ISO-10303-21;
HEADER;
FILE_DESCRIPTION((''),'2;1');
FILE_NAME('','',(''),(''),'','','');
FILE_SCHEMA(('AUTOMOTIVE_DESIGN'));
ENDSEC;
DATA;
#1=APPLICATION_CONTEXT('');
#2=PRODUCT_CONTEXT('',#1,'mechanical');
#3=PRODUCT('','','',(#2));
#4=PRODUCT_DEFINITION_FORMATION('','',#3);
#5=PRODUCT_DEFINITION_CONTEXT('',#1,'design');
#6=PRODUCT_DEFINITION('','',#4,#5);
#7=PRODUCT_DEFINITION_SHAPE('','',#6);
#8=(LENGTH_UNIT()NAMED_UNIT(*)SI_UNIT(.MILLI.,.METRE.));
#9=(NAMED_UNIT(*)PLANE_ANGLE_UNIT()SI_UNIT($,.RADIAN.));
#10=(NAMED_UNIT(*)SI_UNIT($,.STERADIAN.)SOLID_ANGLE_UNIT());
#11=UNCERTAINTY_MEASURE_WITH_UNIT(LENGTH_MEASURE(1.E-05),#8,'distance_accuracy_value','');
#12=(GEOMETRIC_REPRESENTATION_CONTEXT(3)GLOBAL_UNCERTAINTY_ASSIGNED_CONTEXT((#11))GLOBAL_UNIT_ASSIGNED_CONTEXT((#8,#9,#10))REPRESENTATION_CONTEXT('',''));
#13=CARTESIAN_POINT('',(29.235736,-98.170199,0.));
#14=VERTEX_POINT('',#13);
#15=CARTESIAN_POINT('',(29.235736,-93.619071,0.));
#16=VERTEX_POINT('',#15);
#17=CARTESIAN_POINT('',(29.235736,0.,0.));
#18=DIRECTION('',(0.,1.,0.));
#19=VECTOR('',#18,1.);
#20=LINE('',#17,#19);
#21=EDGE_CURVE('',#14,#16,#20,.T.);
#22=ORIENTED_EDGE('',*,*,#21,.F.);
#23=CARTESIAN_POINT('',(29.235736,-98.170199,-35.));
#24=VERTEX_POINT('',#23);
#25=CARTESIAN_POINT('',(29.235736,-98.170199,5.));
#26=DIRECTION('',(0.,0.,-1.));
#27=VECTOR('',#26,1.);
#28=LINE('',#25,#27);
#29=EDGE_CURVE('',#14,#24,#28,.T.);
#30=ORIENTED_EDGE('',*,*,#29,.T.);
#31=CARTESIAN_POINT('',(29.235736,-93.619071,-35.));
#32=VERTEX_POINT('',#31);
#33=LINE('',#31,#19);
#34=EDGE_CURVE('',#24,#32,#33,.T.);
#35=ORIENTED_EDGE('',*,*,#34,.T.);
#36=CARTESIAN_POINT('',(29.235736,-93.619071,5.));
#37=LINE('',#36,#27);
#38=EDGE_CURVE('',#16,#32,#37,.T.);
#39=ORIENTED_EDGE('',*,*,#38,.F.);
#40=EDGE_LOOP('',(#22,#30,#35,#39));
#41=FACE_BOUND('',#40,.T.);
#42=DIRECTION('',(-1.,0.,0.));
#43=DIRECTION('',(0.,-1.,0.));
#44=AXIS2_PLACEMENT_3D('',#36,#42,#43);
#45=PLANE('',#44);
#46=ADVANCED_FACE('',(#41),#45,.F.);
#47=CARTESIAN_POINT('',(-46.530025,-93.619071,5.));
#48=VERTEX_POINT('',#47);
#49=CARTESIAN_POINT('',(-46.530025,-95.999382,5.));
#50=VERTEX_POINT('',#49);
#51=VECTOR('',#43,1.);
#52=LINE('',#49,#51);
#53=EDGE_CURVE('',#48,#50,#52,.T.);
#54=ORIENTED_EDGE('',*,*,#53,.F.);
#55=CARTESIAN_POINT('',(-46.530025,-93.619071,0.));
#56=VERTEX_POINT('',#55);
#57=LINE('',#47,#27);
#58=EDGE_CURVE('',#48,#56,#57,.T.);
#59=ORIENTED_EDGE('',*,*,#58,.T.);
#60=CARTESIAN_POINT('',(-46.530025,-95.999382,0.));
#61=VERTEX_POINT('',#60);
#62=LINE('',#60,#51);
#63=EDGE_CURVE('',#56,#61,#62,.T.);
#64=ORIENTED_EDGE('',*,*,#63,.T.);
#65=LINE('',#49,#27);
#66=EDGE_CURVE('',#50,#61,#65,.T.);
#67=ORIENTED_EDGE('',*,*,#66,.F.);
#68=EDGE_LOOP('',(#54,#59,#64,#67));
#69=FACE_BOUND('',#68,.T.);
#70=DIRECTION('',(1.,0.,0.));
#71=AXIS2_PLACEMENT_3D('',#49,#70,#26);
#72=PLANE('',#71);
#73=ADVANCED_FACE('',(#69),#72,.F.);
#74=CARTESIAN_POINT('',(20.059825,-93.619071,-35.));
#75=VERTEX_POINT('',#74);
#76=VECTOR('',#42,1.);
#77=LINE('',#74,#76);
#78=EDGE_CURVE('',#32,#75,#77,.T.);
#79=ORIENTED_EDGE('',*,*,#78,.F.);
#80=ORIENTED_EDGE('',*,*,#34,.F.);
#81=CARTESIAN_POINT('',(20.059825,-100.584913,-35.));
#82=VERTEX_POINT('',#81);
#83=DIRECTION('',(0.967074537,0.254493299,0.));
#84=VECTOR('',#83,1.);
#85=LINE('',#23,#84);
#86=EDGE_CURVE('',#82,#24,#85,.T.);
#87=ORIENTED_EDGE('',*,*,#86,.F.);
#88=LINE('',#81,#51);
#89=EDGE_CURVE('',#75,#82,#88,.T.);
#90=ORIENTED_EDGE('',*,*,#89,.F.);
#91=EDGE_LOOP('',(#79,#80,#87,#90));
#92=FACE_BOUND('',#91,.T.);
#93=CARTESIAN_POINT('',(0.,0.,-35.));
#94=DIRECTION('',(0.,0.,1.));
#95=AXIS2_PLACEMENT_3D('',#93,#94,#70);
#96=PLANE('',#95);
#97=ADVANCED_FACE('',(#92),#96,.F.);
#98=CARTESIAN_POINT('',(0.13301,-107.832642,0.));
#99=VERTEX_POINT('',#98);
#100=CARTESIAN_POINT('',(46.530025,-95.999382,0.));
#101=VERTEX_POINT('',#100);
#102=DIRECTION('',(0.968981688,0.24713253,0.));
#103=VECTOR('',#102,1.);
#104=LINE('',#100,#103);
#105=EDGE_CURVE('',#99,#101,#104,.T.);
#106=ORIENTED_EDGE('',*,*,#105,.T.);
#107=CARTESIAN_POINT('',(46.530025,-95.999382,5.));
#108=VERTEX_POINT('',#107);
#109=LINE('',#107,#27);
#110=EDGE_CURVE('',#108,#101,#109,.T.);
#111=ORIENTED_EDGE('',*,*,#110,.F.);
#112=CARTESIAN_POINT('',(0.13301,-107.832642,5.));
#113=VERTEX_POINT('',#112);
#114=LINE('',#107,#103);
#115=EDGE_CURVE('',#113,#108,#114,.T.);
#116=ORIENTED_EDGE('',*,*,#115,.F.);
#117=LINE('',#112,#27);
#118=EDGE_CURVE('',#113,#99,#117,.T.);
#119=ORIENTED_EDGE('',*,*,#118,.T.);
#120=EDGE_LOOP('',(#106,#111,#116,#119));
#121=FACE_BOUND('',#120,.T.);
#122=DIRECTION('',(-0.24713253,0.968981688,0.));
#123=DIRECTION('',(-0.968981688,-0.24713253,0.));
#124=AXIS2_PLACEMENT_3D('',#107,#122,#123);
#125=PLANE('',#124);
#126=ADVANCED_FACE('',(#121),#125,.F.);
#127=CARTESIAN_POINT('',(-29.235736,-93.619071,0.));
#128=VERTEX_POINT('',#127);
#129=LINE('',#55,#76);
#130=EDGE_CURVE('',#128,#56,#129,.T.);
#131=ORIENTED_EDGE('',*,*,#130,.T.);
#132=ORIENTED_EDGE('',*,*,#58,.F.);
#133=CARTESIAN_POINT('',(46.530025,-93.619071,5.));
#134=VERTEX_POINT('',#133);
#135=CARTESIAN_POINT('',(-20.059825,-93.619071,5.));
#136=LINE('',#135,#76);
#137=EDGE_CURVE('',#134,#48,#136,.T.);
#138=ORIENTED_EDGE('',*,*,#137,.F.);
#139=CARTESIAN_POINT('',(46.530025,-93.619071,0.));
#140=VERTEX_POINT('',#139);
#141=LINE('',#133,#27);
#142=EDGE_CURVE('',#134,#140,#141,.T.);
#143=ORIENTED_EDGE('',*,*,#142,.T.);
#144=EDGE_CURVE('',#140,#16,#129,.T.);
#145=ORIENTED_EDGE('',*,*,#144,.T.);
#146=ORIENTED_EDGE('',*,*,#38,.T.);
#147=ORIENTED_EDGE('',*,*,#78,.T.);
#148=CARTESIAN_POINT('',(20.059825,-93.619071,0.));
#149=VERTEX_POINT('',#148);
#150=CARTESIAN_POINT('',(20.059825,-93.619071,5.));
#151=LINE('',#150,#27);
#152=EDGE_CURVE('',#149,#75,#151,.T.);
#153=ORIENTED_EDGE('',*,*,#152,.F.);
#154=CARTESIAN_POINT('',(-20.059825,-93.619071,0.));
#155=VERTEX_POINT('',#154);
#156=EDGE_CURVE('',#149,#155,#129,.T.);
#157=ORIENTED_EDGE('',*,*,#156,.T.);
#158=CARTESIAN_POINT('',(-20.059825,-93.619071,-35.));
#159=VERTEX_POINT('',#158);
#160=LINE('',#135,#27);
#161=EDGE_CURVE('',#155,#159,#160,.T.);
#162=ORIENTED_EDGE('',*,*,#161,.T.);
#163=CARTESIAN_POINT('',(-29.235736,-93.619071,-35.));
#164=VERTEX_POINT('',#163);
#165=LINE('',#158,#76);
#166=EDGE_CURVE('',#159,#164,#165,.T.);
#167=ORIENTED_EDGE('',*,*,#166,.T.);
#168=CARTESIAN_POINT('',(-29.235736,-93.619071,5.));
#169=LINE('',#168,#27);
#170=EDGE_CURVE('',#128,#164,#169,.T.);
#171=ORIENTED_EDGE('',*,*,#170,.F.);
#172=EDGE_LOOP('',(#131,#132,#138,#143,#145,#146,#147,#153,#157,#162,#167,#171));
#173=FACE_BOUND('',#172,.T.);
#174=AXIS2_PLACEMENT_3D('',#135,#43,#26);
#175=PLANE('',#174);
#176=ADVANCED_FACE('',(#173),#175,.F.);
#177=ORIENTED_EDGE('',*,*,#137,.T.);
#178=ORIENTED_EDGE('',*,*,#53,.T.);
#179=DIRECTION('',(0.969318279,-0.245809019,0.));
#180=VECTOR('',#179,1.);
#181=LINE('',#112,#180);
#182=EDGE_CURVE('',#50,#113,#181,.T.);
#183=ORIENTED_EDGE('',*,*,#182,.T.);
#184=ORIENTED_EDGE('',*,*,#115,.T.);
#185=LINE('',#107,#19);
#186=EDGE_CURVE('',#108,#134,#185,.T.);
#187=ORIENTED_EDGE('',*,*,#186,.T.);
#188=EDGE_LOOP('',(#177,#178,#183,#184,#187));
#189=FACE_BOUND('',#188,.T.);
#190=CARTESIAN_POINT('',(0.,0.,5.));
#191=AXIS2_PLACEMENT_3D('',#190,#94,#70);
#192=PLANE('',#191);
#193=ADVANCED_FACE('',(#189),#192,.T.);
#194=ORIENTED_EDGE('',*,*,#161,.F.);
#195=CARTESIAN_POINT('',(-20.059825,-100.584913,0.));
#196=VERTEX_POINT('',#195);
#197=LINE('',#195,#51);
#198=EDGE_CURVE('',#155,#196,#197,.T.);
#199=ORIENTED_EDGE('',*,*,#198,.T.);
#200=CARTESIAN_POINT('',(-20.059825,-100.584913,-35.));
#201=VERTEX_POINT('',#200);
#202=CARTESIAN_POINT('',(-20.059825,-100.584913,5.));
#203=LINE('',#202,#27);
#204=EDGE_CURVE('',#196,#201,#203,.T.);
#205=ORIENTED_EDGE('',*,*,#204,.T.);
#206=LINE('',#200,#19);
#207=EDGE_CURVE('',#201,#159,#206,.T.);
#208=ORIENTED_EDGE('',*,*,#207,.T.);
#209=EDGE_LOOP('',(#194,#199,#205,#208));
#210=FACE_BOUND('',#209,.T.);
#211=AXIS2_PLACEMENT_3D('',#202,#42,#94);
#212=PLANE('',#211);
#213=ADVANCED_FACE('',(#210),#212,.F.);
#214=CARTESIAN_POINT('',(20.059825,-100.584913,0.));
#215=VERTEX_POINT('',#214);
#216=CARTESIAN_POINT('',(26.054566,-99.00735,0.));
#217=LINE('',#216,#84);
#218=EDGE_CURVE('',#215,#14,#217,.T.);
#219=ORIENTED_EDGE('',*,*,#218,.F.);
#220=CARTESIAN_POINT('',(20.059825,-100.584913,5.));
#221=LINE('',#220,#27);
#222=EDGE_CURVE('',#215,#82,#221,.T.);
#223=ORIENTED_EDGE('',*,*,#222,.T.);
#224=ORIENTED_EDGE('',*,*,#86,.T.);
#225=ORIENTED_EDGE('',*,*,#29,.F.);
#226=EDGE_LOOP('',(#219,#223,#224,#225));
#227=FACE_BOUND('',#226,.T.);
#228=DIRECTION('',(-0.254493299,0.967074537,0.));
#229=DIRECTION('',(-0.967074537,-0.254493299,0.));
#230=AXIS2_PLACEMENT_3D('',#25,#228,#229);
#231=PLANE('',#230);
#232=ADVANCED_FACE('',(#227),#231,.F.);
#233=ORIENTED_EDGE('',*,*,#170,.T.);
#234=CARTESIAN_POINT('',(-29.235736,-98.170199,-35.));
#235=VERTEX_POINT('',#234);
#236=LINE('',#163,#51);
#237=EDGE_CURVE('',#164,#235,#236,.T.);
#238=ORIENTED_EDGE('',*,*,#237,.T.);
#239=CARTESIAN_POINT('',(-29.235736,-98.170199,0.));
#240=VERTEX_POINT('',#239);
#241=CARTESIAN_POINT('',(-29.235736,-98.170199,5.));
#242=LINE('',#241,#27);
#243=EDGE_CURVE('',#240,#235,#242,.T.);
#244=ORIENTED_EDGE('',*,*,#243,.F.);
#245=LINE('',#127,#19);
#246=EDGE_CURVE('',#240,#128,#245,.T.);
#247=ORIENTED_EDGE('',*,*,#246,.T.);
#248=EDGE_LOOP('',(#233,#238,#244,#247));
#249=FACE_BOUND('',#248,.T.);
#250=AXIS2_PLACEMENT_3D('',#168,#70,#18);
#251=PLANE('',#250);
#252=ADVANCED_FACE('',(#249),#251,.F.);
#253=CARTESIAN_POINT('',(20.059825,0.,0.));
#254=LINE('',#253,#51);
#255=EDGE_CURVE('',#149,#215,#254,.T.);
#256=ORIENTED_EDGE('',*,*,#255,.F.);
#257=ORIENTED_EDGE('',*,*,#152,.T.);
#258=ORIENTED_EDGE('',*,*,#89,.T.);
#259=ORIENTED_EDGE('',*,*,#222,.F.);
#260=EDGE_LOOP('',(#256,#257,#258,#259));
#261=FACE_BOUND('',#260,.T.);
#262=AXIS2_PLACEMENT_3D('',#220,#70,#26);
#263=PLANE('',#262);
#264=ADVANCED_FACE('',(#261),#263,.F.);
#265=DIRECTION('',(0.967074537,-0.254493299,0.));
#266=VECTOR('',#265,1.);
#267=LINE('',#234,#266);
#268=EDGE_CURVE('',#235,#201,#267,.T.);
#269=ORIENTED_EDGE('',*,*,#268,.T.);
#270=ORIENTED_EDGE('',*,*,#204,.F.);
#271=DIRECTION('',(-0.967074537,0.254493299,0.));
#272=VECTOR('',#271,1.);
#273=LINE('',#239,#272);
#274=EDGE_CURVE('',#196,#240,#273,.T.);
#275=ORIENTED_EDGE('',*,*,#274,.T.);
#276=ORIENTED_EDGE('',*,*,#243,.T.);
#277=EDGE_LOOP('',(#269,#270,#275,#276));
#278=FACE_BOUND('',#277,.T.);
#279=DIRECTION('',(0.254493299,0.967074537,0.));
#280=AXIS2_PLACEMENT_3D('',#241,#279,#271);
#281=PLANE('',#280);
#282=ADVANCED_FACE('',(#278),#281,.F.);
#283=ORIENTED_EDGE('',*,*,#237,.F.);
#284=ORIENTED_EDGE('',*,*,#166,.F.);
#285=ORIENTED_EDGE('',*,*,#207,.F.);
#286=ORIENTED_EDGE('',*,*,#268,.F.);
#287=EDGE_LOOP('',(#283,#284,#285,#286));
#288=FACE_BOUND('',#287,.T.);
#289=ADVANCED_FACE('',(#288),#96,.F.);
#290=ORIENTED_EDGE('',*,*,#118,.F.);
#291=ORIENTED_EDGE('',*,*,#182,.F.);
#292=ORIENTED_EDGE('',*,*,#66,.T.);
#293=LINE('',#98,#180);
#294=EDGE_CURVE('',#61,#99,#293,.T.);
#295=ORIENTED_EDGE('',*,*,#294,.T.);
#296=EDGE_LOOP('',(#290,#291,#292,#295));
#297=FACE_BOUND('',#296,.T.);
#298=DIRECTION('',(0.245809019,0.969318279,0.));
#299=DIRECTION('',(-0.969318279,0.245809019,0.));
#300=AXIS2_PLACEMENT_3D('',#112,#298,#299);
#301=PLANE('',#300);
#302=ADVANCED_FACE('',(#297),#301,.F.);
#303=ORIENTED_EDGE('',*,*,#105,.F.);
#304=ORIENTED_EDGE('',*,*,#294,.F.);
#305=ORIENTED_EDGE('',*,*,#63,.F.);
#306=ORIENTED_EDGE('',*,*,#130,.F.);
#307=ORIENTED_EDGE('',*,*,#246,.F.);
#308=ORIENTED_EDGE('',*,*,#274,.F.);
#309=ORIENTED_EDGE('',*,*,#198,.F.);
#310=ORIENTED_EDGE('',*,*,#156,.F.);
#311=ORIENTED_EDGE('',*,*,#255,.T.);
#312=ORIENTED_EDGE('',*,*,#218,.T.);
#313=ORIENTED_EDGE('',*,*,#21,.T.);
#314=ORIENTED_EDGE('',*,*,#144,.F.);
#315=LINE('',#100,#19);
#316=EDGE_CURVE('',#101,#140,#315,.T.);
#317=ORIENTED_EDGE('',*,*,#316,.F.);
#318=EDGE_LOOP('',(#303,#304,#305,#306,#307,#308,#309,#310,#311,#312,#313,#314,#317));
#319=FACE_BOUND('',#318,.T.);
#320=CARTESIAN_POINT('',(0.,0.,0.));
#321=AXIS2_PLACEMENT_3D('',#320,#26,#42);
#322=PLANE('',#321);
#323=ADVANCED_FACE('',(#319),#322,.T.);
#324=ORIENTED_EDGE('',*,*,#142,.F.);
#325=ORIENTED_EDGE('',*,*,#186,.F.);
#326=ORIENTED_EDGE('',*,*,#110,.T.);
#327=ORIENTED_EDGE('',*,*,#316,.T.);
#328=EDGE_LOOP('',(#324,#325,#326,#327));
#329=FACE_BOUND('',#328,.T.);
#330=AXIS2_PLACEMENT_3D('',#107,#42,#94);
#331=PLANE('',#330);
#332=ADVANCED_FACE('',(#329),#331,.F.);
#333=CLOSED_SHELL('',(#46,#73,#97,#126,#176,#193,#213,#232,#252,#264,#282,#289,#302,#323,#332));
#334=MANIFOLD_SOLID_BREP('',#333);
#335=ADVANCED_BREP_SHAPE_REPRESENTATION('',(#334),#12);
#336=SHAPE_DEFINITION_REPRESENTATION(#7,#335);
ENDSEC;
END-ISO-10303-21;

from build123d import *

# Parameters (mm, degrees)
BOSS_EXTRUDE1_DEPTH   = 40
BOSS_EXTRUDE1_2_DEPTH = 40
BOSS_EXTRUDE2_DEPTH   = 5


with BuildPart() as part:
    # Sketch2 → Boss-Extrude1 (new body)
    with BuildSketch(Plane.XY.offset(-35)):
        Polygon((-29.235736387, -93.619070837), (-29.235736387, -98.170199329), (-20.059825436, -100.584912737), (-20.059825436, -93.619070837), align=None)
    extrude(amount=BOSS_EXTRUDE1_DEPTH)



with BuildPart() as body_2:
    # Sketch2 → Boss-Extrude1 2 (new body)
    with BuildSketch(Plane.XY.offset(-35)):
        Polygon((29.235736387, -98.170199329), (20.059825436, -100.584912737), (20.059825436, -93.619070837), (29.235736387, -93.619070837), align=None)
    extrude(amount=BOSS_EXTRUDE1_2_DEPTH)


with BuildPart() as part_1:
    add(part.part)

    add(body_2.part)  # Boss-Extrude2 merges body 2
    # Sketch3 → Boss-Extrude2 (add)
    with BuildSketch(Plane.XY):
        Polygon((-46.530024654, -93.619070837), (0.133009642, -93.619070837), (46.530024654, -93.619070837), (46.530024654, -95.999382249), (0.133009642, -107.832641703), (-46.530024654, -95.999382249), align=None)
    extrude(amount=BOSS_EXTRUDE2_DEPTH)


solid = part_1.part
